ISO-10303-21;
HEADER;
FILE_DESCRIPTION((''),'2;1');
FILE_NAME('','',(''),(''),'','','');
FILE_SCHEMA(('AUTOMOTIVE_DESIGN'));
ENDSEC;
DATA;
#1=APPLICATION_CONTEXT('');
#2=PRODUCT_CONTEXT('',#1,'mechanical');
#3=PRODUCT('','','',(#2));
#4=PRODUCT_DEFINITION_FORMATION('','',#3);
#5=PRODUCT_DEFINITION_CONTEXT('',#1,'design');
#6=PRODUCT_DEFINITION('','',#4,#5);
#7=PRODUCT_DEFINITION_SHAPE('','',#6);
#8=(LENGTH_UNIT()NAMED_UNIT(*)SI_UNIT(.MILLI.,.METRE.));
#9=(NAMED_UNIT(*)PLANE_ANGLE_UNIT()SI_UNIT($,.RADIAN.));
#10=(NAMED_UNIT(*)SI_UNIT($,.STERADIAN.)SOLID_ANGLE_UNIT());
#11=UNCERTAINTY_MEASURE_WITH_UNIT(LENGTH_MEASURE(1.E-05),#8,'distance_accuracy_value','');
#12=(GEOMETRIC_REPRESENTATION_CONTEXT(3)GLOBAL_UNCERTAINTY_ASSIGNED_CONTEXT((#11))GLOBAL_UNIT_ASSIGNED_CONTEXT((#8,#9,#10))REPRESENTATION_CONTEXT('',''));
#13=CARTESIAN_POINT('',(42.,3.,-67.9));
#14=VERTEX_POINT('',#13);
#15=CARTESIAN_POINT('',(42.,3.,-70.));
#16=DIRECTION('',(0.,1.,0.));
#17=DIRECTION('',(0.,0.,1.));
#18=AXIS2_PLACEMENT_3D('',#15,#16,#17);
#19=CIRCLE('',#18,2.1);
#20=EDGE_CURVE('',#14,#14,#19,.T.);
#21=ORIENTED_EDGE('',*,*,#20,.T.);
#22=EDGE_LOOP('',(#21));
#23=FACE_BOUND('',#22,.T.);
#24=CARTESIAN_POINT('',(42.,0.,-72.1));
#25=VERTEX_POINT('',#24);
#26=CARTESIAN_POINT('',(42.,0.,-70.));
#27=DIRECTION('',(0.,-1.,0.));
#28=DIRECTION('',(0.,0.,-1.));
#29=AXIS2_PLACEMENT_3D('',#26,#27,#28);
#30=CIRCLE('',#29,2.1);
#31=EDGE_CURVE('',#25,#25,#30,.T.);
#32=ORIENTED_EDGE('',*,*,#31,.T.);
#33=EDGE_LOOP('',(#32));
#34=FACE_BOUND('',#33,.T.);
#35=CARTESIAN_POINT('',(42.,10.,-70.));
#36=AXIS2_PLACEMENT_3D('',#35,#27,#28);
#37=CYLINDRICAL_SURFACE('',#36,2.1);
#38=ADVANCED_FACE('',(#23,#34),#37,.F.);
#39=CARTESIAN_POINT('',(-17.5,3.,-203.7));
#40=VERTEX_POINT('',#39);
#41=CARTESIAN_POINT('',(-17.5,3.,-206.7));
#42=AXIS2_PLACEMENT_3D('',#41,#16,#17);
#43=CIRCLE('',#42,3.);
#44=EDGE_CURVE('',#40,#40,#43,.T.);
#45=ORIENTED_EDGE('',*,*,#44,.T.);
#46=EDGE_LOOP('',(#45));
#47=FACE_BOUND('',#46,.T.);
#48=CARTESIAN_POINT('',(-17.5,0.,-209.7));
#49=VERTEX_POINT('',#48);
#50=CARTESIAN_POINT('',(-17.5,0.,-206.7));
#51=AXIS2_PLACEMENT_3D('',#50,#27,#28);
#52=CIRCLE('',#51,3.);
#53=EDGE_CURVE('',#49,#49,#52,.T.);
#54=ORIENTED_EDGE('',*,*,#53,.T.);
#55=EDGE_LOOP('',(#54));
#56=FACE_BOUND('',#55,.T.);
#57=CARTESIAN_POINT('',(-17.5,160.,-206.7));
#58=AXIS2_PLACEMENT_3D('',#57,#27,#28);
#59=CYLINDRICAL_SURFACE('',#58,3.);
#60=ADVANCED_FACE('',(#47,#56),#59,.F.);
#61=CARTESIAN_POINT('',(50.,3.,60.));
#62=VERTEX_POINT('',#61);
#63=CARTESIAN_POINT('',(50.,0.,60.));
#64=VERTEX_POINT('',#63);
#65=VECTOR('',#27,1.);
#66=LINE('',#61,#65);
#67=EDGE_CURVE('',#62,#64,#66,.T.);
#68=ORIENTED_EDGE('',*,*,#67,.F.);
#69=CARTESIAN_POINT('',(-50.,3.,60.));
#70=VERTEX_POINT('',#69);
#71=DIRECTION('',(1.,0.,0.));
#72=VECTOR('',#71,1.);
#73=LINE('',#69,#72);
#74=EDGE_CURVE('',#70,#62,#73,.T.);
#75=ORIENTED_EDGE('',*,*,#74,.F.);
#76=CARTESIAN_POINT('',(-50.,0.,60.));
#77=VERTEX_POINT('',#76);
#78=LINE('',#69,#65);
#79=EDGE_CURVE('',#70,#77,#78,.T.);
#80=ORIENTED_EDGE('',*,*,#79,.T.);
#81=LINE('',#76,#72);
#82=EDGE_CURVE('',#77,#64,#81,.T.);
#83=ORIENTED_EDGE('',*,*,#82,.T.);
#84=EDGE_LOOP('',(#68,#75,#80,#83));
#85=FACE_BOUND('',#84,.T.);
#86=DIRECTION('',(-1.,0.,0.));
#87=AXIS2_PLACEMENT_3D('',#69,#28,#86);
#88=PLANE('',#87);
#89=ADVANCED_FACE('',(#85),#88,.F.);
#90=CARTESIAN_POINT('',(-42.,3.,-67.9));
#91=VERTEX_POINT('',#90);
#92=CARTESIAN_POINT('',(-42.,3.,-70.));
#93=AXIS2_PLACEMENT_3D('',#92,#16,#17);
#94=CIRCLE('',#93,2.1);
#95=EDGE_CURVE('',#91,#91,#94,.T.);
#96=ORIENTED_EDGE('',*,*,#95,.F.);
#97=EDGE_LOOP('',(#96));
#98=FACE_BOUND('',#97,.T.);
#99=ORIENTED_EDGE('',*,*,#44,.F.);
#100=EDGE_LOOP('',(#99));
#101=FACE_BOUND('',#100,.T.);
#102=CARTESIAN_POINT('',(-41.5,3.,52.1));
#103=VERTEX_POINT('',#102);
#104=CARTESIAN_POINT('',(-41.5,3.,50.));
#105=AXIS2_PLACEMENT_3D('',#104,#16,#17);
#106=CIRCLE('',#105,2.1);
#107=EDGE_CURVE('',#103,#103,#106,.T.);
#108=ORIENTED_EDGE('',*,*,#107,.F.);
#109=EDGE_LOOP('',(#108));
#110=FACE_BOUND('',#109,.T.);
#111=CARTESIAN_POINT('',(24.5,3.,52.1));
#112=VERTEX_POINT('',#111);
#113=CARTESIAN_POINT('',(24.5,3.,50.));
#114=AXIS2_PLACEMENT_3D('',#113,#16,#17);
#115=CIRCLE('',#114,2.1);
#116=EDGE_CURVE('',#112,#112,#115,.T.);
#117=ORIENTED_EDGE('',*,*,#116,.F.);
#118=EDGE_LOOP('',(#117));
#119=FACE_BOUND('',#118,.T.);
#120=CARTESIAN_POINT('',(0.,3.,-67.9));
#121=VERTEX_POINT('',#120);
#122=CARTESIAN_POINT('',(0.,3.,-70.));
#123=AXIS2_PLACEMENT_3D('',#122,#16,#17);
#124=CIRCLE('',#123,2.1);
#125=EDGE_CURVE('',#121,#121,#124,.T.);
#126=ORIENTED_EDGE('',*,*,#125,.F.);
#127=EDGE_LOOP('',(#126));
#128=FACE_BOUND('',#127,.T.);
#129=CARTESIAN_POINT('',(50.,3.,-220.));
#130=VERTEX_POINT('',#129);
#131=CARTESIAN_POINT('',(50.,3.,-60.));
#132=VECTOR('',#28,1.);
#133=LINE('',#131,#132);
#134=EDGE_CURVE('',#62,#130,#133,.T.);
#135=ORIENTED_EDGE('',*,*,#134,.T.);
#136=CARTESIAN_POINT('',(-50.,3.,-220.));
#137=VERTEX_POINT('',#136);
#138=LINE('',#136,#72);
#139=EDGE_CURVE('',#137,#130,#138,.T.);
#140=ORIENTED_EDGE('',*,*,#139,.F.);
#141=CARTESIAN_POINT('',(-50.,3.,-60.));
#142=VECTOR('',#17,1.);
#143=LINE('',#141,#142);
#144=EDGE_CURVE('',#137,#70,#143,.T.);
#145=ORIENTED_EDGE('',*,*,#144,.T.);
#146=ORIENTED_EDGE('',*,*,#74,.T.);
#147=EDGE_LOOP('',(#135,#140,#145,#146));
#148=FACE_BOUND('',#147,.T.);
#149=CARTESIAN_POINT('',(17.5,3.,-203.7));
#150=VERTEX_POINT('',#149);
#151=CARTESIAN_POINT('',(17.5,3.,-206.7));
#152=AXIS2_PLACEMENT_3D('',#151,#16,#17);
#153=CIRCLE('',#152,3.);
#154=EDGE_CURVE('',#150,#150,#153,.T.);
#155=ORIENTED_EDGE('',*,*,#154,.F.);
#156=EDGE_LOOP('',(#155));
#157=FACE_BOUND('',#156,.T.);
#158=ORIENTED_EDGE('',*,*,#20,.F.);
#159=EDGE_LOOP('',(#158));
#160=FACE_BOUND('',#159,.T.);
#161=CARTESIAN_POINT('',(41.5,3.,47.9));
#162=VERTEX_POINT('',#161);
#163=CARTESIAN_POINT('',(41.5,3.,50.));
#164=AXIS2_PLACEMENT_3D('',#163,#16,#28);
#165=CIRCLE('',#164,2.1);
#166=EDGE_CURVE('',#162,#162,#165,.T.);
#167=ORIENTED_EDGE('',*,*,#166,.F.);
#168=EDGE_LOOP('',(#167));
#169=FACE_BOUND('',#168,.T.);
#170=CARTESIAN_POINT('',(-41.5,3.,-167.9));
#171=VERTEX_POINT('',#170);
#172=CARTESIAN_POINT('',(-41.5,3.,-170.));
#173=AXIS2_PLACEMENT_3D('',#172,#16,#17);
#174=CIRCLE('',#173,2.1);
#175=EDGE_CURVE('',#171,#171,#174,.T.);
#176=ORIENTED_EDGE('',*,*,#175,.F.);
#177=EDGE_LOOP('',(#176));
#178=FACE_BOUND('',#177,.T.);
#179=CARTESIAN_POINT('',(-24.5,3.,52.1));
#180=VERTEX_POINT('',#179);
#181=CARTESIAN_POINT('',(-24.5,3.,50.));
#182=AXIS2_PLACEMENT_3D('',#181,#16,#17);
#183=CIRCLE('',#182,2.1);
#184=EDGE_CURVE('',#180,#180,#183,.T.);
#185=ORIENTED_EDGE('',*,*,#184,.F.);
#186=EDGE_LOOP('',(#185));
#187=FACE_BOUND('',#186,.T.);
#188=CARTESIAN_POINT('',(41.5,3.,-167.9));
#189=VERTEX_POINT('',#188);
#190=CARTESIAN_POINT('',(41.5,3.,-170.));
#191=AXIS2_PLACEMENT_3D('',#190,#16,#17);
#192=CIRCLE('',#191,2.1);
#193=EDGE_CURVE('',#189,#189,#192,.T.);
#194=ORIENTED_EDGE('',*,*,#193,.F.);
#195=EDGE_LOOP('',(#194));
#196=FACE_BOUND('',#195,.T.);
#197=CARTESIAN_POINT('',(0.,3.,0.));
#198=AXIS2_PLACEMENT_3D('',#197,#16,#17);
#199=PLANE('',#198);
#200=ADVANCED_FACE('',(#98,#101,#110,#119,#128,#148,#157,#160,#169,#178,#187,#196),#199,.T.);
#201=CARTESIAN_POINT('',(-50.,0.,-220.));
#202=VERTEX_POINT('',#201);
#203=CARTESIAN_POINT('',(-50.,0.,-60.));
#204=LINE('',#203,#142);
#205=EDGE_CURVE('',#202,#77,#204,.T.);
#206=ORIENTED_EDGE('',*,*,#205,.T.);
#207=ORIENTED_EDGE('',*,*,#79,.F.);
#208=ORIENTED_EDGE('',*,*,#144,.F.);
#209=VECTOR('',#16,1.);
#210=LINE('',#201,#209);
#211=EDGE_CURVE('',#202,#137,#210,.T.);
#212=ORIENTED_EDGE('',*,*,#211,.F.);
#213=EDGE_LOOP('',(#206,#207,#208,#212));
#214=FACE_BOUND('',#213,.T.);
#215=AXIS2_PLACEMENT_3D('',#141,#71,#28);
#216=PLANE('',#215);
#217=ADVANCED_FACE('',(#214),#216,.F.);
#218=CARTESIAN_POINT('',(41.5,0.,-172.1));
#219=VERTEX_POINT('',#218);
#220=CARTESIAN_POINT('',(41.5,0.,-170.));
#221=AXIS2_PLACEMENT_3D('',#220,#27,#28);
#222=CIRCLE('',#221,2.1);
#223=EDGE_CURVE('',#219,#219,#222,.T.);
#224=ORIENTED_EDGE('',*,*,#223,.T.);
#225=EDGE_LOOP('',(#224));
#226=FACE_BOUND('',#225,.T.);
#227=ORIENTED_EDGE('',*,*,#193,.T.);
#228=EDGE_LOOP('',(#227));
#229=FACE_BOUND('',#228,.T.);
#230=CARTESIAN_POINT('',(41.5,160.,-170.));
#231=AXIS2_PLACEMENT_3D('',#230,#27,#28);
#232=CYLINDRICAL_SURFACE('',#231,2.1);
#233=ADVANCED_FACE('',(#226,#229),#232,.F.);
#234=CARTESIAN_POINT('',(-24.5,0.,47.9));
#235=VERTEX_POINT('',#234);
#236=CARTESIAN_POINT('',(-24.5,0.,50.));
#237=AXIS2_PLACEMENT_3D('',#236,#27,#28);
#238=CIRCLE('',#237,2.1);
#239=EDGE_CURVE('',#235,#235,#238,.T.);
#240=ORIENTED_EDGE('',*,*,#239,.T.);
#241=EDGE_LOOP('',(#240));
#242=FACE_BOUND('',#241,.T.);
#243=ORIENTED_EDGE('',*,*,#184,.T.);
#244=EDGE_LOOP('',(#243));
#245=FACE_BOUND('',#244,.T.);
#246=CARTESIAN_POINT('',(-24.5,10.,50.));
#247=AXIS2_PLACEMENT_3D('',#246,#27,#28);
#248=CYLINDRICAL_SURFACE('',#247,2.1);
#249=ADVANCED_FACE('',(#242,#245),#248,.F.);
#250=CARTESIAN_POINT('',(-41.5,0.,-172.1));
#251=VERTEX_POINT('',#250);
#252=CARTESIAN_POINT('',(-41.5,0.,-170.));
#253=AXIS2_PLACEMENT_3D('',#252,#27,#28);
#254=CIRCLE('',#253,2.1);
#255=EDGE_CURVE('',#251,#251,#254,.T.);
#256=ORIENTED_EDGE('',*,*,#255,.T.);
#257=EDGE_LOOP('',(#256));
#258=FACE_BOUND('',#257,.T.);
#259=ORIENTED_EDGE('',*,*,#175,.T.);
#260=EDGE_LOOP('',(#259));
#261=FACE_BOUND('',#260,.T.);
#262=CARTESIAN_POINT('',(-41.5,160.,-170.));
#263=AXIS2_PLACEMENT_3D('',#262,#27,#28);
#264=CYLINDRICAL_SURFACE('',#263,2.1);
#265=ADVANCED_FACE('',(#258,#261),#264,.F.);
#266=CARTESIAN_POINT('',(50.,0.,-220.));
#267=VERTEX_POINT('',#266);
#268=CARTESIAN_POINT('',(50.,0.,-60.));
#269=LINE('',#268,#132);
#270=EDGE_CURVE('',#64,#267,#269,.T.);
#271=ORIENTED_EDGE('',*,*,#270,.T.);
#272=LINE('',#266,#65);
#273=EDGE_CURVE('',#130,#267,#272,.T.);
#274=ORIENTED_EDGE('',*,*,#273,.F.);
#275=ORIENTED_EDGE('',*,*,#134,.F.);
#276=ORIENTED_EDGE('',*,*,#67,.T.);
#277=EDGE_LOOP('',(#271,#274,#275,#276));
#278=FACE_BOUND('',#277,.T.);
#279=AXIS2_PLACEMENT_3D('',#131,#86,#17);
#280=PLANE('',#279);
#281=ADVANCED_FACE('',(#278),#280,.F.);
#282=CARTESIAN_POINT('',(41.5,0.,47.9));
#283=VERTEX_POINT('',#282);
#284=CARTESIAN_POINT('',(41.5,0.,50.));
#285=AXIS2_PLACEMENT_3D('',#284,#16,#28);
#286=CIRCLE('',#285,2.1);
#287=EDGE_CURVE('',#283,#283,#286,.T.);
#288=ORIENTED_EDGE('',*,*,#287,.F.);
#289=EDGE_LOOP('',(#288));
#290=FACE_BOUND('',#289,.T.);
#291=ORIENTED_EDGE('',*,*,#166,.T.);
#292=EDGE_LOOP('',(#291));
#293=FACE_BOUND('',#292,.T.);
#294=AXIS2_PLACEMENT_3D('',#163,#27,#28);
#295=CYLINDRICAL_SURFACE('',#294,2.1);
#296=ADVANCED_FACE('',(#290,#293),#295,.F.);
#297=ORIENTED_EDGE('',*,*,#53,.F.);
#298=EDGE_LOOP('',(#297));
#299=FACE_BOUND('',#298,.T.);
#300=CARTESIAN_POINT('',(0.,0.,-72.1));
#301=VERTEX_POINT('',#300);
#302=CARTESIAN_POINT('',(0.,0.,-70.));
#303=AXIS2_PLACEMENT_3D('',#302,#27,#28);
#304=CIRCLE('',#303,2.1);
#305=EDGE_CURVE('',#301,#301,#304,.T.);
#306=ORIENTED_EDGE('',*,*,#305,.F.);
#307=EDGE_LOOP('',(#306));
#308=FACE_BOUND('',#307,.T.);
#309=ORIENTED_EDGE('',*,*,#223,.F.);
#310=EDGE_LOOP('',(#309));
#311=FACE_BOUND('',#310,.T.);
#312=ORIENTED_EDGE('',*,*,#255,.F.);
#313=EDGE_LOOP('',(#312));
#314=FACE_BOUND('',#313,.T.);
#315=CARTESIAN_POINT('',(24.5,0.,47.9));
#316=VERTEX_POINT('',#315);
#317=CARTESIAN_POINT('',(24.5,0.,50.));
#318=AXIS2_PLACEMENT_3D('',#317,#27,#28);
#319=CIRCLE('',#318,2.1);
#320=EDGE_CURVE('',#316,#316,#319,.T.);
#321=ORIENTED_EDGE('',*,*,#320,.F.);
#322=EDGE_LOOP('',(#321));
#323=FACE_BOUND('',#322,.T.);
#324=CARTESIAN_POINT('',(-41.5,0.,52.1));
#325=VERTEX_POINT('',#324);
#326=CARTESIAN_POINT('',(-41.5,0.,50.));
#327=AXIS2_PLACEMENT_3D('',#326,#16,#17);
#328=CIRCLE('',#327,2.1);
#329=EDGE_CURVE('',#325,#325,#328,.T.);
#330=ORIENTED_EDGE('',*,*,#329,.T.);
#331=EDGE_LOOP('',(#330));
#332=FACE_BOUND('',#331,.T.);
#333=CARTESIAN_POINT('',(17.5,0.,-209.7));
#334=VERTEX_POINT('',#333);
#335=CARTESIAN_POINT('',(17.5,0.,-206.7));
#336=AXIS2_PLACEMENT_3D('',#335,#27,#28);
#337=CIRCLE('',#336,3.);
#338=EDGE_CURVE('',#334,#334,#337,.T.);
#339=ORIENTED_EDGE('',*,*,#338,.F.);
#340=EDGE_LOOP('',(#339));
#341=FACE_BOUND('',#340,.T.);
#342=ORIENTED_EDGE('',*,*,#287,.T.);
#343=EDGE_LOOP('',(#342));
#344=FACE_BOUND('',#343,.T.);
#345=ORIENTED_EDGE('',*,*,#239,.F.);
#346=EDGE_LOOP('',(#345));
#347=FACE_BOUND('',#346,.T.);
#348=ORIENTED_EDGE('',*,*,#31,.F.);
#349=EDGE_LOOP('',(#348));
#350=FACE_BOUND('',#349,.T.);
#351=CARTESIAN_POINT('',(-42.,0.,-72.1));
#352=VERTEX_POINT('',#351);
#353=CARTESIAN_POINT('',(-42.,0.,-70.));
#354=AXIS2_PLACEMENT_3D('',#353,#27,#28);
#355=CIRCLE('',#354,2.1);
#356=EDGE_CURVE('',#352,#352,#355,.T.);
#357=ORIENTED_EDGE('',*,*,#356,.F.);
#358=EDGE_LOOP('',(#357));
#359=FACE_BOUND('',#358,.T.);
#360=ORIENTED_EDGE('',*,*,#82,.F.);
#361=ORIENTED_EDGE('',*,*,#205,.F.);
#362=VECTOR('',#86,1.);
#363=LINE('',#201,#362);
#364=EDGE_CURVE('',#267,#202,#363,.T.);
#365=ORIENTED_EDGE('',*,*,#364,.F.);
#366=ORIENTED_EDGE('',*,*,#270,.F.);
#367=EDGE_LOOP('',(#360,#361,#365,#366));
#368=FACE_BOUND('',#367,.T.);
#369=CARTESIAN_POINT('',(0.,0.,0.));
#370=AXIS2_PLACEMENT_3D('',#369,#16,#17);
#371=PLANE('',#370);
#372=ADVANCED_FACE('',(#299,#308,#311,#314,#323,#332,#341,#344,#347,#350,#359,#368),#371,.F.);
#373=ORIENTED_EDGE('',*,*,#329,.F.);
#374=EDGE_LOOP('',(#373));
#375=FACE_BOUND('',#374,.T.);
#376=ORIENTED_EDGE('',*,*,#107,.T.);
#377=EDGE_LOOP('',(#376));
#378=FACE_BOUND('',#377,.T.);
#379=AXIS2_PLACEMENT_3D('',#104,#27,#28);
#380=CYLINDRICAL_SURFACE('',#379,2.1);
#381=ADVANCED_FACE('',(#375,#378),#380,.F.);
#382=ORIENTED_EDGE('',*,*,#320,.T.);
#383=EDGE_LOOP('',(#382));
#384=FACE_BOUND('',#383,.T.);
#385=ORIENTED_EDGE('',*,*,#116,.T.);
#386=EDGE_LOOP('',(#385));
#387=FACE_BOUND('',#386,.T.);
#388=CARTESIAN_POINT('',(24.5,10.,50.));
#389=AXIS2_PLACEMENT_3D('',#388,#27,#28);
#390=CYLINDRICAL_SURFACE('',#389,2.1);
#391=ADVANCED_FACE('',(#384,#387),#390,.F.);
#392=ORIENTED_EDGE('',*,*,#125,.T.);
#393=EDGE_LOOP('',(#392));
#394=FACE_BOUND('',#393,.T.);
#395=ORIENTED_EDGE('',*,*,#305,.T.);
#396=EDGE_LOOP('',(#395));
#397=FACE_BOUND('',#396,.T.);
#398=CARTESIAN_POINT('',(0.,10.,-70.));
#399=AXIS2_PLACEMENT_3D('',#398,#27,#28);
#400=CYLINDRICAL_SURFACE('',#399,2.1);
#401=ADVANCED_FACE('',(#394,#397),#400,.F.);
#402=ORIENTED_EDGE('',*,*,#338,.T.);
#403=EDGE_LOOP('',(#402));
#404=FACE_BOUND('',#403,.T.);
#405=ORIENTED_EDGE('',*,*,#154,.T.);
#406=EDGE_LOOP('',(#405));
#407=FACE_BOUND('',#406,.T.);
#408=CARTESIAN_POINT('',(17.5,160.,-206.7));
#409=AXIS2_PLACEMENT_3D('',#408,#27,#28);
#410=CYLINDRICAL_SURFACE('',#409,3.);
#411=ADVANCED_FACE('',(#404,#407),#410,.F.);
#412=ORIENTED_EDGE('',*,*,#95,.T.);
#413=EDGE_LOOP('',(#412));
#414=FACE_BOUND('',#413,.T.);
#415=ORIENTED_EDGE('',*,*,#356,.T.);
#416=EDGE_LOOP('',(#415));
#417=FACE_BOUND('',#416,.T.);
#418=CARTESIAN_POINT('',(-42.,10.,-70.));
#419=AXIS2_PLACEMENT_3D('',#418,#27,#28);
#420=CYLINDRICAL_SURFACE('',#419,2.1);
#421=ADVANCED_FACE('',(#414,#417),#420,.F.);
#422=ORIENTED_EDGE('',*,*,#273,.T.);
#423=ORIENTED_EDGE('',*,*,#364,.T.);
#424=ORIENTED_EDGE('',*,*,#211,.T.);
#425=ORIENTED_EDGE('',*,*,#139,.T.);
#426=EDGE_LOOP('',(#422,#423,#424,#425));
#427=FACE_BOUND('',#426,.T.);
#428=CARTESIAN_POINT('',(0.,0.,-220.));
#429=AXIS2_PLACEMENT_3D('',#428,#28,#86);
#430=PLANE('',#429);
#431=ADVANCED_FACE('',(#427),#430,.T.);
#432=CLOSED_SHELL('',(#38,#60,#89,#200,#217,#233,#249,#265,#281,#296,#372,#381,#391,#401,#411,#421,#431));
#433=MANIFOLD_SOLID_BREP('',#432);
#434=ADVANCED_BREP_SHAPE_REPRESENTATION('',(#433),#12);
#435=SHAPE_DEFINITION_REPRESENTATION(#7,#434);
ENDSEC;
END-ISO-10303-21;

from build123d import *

# Parameters (mm, degrees)
SKETCH1_R             = 2.1
BOSS_EXTRUDE1_DEPTH   = 3
BOSS_EXTRUDE1_2_DEPTH = 3
BOSS_EXTRUDE1_3_DEPTH = 3
SKETCH1_W             = 100
SKETCH1_H             = 120
BOSS_EXTRUDE1_4_DEPTH = 3
SKETCH2_R             = 2.1
CUT_EXTRUDE1_DEPTH    = 10
SKETCH3_W             = 100
SKETCH3_H             = 3
BOSS_EXTRUDE2_DEPTH   = 160
SKETCH4_R             = 3
SKETCH4_R_2           = 2.1
CUT_EXTRUDE2_DEPTH    = 160
SKETCH5_R             = 2.1
CUT_EXTRUDE3_DEPTH    = 10


with BuildPart() as part:
    # Sketch1 → Boss-Extrude1 (new body)
    with BuildSketch(Plane(origin=(0, 0, 0), x_dir=(1, 0, 0), z_dir=(0, 1, 0))):
        with Locations(Location((-42, 70, 0), (0, 0, 270))):
            Circle(SKETCH1_R)
    extrude(amount=BOSS_EXTRUDE1_DEPTH)


with BuildPart() as body_2:
    # Sketch1 → Boss-Extrude1 2 (new body)
    with BuildSketch(Plane(origin=(0, 0, 0), x_dir=(1, 0, 0), z_dir=(0, 1, 0))):
        with Locations(Location((0, 70, 0), (0, 0, 270))):
            Circle(SKETCH1_R)
    extrude(amount=BOSS_EXTRUDE1_2_DEPTH)


with BuildPart() as body_3:
    # Sketch1 → Boss-Extrude1 3 (new body)
    with BuildSketch(Plane(origin=(0, 0, 0), x_dir=(1, 0, 0), z_dir=(0, 1, 0))):
        with Locations(Location((42, 70, 0), (0, 0, 270))):
            Circle(SKETCH1_R)
    extrude(amount=BOSS_EXTRUDE1_3_DEPTH)


with BuildPart() as body_4:
    # Sketch1 → Boss-Extrude1 4 (new body)
    with BuildSketch(Plane(origin=(0, 0, 0), x_dir=(1, 0, 0), z_dir=(0, 1, 0))):
        Rectangle(SKETCH1_W, SKETCH1_H)
        with Locations(Location((41.5, -50, 0), (0, 0, 90))):
            Circle(SKETCH1_R, mode=Mode.SUBTRACT)
        with Locations(Location((-41.5, -50, 0), (0, 0, 270))):
            Circle(SKETCH1_R, mode=Mode.SUBTRACT)
    extrude(amount=BOSS_EXTRUDE1_4_DEPTH)

    # Sketch2 → Cut-Extrude1 (cut)
    with BuildSketch(Plane.XZ):
        with Locations(Location((24.5, 50, 0), (0, 0, 270))):
            Circle(SKETCH2_R)
        with Locations(Location((-24.5, 50, 0), (0, 0, 270))):
            Circle(SKETCH2_R)
    extrude(amount=-CUT_EXTRUDE1_DEPTH, mode=Mode.SUBTRACT)

    # Sketch3 → Boss-Extrude2 (add)
    with BuildSketch(Plane(origin=(0, 0, -60), x_dir=(-1, 0, 0), z_dir=(0, 0, -1))):
        with Locations((0, 1.5)):
            Rectangle(SKETCH3_W, SKETCH3_H)
    extrude(amount=BOSS_EXTRUDE2_DEPTH)

    # Sketch4 → Cut-Extrude2 (cut)
    with BuildSketch(Plane.XZ):
        with Locations(Location((17.5, -206.7, 0), (0, 0, 270))):
            Circle(SKETCH4_R)
        with Locations(Location((-17.5, -206.7, 0), (0, 0, 270))):
            Circle(SKETCH4_R)
        with Locations(Location((-41.5, -170, 0), (0, 0, 270))):
            Circle(SKETCH4_R_2)
        with Locations(Location((41.5, -170, 0), (0, 0, 270))):
            Circle(SKETCH4_R_2)
    extrude(amount=-CUT_EXTRUDE2_DEPTH, mode=Mode.SUBTRACT)


with BuildPart() as cut_extrude3_tool:
    # Sketch5 → Cut-Extrude3 (new body)
    with BuildSketch(Plane.XZ):
        with Locations(Location((-42, -70, 0), (0, 0, 270))):
            Circle(SKETCH5_R)
        with Locations(Location((0, -70, 0), (0, 0, 270))):
            Circle(SKETCH5_R)
        with Locations(Location((42, -70, 0), (0, 0, 270))):
            Circle(SKETCH5_R)
    extrude(amount=-CUT_EXTRUDE3_DEPTH)


with BuildPart() as part_1:
    add(part.part)

    # Cut-Extrude3: cut by cut_extrude3_tool
    add(cut_extrude3_tool.part, mode=Mode.SUBTRACT)


with BuildPart() as body_2_1:
    add(body_2.part)

    # Cut-Extrude3: cut by cut_extrude3_tool
    add(cut_extrude3_tool.part, mode=Mode.SUBTRACT)


with BuildPart() as body_3_1:
    add(body_3.part)

    # Cut-Extrude3: cut by cut_extrude3_tool
    add(cut_extrude3_tool.part, mode=Mode.SUBTRACT)


with BuildPart() as body_4_1:
    add(body_4.part)

    # Cut-Extrude3: cut by cut_extrude3_tool
    add(cut_extrude3_tool.part, mode=Mode.SUBTRACT)


solid = body_4_1.part
